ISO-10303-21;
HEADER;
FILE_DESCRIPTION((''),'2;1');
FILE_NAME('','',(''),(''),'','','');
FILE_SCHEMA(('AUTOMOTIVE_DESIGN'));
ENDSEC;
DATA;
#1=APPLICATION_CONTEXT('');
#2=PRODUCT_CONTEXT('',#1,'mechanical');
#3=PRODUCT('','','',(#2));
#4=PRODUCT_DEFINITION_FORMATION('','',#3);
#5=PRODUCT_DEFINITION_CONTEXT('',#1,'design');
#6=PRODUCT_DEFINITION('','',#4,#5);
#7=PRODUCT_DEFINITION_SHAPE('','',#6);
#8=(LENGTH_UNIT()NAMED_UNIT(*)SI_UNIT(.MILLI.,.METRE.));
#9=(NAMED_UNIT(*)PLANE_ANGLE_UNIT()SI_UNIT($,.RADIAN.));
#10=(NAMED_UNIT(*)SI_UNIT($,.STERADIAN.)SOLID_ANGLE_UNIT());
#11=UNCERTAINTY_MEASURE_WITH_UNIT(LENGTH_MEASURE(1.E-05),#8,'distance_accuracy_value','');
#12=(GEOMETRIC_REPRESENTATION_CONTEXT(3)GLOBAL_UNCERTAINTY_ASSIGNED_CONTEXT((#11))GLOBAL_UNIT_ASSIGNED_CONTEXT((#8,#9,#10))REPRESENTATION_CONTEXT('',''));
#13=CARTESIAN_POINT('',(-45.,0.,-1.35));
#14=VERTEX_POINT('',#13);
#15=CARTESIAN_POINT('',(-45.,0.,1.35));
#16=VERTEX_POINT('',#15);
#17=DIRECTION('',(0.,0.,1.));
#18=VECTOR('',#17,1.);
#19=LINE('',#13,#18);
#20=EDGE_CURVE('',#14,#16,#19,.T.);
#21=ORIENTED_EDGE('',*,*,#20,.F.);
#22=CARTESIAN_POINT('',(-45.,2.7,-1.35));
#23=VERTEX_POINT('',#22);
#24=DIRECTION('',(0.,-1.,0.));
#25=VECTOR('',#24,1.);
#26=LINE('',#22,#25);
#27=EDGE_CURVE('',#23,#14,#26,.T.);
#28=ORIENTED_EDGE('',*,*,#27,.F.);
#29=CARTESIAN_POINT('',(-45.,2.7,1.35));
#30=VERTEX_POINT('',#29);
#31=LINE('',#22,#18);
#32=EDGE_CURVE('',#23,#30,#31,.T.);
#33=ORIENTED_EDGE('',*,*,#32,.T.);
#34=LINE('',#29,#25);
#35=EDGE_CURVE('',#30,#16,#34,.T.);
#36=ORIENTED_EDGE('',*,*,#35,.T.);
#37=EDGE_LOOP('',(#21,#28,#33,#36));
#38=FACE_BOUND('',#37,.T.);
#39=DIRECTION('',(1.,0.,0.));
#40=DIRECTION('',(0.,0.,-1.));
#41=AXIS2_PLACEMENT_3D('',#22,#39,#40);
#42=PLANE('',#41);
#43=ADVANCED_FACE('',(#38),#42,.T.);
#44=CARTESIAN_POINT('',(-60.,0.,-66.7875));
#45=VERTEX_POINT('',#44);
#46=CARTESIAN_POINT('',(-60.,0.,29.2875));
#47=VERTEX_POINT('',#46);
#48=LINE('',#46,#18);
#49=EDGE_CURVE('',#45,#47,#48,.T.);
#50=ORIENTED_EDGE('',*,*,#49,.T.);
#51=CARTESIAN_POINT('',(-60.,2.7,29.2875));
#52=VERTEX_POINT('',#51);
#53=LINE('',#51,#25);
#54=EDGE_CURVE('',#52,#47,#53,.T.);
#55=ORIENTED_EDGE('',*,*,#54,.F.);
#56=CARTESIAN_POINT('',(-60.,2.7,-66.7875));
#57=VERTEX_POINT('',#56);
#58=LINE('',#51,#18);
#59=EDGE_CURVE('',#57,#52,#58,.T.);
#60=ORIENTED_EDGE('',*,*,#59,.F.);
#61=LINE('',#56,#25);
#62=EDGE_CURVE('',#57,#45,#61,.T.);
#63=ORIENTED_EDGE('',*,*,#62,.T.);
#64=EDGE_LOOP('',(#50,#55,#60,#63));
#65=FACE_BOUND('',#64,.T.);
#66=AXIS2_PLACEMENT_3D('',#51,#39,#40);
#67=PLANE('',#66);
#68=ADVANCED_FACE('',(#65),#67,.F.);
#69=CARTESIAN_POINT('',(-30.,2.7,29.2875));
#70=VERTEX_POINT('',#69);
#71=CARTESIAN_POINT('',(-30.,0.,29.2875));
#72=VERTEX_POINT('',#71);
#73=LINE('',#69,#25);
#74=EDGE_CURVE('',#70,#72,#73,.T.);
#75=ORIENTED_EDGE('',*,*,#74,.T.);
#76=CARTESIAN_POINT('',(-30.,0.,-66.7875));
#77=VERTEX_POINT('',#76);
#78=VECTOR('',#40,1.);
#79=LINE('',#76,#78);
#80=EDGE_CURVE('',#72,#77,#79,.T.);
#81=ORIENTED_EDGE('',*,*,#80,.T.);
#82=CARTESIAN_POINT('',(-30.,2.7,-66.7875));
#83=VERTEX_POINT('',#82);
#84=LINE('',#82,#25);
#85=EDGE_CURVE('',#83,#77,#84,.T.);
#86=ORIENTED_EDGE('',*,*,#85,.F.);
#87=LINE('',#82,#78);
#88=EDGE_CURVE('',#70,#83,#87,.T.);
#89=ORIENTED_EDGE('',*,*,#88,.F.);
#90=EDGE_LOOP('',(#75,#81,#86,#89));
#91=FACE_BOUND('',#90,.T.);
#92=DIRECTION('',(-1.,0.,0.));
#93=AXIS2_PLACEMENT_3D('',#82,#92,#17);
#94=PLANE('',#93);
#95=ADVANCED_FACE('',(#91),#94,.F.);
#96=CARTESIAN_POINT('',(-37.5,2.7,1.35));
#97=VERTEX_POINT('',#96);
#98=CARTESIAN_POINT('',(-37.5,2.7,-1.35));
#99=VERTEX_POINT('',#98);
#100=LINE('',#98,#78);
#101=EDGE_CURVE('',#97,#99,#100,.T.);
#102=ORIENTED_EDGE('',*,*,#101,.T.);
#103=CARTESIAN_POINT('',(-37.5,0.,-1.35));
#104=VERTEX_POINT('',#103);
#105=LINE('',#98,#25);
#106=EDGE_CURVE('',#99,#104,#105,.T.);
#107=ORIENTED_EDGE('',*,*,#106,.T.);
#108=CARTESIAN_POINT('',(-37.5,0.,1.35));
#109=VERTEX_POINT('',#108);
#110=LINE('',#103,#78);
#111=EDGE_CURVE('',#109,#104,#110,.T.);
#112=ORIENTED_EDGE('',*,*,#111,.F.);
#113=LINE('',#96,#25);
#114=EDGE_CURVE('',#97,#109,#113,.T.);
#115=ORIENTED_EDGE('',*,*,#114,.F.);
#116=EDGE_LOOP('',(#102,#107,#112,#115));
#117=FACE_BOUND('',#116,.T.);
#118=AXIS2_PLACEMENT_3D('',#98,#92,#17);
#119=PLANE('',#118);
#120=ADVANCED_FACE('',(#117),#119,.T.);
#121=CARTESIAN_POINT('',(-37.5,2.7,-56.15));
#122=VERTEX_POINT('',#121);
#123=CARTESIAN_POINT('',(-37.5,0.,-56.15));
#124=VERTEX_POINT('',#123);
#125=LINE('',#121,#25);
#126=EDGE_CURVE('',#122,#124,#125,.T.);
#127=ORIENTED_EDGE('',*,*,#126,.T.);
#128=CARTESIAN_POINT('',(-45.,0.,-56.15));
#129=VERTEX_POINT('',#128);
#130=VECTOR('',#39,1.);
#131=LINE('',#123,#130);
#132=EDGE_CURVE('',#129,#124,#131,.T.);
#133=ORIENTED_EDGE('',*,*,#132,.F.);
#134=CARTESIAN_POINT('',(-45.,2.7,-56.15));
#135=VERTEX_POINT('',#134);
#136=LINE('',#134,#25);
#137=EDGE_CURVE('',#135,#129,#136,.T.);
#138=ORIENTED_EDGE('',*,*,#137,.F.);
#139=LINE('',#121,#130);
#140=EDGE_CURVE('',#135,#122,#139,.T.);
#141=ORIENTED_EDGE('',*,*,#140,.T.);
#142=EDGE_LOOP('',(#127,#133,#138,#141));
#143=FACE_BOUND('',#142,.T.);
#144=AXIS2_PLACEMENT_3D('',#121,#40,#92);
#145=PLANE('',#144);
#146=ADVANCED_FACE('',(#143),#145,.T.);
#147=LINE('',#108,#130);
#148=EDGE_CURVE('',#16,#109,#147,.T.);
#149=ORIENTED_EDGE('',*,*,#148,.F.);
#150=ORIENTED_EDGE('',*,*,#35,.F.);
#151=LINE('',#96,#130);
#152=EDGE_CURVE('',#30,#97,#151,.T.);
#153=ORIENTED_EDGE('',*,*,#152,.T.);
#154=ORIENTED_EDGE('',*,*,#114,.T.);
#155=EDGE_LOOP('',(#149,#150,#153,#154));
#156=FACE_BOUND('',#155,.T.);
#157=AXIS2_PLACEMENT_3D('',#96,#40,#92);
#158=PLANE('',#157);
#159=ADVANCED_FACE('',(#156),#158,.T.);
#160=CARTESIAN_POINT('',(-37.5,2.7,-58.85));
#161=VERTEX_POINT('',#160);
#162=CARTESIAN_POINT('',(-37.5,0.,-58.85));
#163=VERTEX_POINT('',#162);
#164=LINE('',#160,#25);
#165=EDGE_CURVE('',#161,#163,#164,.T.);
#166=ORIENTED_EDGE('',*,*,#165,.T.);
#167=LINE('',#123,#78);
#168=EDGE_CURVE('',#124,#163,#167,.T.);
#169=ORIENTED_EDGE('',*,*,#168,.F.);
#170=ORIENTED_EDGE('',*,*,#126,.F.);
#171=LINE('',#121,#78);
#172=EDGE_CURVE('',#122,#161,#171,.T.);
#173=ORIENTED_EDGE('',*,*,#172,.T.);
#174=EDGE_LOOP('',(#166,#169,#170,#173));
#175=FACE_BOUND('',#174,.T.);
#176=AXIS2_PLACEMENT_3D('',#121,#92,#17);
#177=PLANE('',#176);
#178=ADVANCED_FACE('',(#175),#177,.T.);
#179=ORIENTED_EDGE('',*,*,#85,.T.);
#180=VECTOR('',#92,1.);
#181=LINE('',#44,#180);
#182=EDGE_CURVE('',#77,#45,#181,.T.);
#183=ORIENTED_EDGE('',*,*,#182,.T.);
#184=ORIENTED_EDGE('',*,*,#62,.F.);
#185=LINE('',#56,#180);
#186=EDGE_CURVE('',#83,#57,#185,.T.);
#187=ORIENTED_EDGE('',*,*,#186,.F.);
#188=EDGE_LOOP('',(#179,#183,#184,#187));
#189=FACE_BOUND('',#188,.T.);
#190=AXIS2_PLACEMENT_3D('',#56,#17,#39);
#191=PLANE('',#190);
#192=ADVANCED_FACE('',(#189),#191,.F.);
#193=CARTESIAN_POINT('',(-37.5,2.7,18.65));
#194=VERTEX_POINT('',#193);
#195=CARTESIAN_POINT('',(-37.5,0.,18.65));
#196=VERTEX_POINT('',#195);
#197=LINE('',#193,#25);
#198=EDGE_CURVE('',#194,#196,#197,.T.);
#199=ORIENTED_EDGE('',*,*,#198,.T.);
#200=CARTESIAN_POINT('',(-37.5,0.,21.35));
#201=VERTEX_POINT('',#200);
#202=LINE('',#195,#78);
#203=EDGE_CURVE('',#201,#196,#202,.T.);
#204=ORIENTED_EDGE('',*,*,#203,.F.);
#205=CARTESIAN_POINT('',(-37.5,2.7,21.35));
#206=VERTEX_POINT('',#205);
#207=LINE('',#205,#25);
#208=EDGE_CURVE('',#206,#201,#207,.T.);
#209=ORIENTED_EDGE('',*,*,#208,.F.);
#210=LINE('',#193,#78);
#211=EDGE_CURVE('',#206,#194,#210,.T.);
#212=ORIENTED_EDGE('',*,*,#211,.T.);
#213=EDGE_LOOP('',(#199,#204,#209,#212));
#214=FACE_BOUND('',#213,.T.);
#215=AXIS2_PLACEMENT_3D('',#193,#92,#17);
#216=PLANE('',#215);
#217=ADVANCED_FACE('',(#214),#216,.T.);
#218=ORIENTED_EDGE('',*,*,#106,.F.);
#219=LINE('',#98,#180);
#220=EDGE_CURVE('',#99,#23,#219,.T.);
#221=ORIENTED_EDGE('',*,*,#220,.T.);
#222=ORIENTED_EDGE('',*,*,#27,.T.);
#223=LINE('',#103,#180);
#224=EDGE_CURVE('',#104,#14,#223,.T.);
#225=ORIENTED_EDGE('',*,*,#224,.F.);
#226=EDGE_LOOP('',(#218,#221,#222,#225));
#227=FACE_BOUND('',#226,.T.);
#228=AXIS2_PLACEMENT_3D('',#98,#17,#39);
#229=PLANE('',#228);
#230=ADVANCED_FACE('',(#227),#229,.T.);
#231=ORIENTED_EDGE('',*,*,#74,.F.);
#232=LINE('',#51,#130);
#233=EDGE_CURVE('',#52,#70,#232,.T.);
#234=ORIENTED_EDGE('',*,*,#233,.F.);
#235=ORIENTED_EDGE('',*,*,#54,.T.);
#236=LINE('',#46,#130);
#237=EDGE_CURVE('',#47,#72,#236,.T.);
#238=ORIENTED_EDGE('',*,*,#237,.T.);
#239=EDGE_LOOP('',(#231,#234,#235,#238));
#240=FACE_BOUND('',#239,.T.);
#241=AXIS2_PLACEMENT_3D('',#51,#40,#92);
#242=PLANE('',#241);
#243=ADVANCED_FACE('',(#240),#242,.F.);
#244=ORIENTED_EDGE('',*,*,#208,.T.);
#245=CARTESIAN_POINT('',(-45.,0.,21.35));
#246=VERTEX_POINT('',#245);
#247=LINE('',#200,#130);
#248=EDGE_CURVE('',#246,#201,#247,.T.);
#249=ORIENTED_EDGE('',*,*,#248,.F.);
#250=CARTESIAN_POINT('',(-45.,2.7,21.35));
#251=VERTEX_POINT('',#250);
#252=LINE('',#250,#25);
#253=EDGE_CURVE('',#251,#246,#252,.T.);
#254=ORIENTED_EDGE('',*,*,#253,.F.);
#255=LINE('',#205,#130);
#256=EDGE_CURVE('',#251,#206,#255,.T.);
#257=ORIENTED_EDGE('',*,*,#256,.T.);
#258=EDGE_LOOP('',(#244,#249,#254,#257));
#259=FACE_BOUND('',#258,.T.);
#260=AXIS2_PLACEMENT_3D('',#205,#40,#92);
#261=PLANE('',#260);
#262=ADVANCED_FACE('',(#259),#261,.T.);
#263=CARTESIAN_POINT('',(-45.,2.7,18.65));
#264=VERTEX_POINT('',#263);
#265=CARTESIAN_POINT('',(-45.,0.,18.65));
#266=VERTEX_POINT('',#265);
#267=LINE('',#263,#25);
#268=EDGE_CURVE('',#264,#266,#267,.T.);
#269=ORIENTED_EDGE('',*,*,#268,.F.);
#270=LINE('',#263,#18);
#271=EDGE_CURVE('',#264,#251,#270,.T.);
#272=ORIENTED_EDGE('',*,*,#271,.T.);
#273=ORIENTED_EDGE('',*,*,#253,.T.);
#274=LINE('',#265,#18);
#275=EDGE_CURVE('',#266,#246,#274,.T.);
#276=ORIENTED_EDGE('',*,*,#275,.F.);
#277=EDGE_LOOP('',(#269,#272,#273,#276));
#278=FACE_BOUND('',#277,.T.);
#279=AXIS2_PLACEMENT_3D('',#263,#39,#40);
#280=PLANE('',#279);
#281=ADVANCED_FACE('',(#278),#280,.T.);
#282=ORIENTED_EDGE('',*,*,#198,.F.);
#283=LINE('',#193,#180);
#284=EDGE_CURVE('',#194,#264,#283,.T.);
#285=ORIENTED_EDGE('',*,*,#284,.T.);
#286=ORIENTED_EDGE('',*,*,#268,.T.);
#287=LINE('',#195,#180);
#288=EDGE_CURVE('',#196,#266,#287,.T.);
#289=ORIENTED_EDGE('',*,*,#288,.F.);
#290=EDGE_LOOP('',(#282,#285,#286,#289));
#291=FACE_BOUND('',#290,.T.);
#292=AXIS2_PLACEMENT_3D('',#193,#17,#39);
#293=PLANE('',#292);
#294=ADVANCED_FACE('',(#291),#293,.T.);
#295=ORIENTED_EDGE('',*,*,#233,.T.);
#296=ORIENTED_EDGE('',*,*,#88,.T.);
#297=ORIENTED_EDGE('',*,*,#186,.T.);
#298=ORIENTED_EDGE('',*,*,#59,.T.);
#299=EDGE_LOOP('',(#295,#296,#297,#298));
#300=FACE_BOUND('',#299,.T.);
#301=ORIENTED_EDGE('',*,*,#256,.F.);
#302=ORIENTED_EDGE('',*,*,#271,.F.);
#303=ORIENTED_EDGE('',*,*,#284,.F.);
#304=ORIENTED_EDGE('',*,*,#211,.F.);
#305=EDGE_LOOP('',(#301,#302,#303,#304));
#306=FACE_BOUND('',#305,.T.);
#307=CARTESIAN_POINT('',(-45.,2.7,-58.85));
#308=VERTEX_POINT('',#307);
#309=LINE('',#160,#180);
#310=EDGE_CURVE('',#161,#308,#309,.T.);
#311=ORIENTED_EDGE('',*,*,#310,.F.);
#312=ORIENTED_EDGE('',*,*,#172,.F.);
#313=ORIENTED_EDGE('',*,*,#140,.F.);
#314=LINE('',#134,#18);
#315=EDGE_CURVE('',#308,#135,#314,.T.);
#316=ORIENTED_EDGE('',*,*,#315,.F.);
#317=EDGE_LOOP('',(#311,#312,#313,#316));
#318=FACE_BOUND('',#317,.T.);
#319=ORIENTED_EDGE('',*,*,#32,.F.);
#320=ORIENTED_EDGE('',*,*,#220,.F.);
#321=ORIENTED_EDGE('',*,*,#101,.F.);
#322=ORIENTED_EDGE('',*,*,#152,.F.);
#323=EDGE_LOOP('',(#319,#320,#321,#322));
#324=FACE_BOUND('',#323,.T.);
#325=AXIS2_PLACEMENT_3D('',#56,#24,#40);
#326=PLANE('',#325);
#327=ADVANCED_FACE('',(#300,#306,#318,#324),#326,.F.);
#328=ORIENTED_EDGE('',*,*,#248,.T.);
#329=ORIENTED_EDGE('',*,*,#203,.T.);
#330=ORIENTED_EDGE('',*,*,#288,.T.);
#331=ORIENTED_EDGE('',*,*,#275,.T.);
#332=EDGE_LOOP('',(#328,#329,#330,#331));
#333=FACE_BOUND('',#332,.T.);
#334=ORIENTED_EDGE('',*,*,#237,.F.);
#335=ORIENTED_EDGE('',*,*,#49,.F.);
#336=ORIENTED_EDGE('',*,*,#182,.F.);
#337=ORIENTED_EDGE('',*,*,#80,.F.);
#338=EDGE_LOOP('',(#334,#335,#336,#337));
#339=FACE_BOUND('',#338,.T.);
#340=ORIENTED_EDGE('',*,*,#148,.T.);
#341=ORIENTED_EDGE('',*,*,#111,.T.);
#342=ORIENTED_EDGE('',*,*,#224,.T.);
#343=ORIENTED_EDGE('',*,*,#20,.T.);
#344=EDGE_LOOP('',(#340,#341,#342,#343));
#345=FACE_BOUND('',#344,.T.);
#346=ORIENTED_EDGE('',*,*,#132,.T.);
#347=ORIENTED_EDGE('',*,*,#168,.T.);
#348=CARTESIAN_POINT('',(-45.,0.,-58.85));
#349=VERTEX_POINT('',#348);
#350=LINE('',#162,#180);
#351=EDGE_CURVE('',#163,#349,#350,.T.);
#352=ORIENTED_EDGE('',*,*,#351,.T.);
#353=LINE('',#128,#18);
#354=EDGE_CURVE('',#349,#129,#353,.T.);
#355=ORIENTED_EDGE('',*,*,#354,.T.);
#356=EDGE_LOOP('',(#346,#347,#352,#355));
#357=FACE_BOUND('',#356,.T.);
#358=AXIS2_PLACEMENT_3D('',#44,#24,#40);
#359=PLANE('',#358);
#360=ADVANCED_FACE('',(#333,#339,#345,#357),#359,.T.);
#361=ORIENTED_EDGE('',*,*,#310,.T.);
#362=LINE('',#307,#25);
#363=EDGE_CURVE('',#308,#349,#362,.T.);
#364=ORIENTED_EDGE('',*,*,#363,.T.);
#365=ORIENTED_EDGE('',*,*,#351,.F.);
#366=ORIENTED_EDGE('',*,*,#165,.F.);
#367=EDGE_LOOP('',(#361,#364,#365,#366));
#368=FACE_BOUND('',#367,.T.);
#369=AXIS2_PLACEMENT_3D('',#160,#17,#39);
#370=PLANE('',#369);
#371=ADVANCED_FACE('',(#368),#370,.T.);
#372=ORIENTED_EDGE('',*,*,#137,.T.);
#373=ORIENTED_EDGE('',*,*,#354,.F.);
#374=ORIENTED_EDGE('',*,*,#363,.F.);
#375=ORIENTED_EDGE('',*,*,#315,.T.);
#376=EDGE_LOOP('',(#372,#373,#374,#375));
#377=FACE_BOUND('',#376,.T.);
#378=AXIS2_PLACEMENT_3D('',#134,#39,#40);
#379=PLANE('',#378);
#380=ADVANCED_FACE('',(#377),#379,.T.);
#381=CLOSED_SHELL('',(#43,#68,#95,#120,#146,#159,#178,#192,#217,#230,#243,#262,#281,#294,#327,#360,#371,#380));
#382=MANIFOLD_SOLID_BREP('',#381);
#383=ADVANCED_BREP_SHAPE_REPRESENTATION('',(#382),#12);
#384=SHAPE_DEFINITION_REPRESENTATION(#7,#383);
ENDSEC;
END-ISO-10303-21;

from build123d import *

# Parameters (mm, degrees)
SKETCH1_W   = 30
SKETCH1_H   = 96.075
SKETCH1_W_2 = 7.5
SKETCH1_H_2 = 2.7
BASE_DEPTH  = 2.7


with BuildPart() as part:
    # Sketch1 → Base (new body)
    with BuildSketch(Plane(origin=(0, 0, 0), x_dir=(1, 0, 0), z_dir=(0, 1, 0))):
        with Locations((-45, 18.75)):
            Rectangle(SKETCH1_W, SKETCH1_H)
        with Locations((-41.25, 0)):
            Rectangle(SKETCH1_W_2, SKETCH1_H_2, mode=Mode.SUBTRACT)
        with Locations((-41.25, 57.5)):
            Rectangle(SKETCH1_W_2, SKETCH1_H_2, mode=Mode.SUBTRACT)
        with Locations((-41.25, -20)):
            Rectangle(SKETCH1_W_2, SKETCH1_H_2, mode=Mode.SUBTRACT)
    extrude(amount=BASE_DEPTH)


solid = part.part
